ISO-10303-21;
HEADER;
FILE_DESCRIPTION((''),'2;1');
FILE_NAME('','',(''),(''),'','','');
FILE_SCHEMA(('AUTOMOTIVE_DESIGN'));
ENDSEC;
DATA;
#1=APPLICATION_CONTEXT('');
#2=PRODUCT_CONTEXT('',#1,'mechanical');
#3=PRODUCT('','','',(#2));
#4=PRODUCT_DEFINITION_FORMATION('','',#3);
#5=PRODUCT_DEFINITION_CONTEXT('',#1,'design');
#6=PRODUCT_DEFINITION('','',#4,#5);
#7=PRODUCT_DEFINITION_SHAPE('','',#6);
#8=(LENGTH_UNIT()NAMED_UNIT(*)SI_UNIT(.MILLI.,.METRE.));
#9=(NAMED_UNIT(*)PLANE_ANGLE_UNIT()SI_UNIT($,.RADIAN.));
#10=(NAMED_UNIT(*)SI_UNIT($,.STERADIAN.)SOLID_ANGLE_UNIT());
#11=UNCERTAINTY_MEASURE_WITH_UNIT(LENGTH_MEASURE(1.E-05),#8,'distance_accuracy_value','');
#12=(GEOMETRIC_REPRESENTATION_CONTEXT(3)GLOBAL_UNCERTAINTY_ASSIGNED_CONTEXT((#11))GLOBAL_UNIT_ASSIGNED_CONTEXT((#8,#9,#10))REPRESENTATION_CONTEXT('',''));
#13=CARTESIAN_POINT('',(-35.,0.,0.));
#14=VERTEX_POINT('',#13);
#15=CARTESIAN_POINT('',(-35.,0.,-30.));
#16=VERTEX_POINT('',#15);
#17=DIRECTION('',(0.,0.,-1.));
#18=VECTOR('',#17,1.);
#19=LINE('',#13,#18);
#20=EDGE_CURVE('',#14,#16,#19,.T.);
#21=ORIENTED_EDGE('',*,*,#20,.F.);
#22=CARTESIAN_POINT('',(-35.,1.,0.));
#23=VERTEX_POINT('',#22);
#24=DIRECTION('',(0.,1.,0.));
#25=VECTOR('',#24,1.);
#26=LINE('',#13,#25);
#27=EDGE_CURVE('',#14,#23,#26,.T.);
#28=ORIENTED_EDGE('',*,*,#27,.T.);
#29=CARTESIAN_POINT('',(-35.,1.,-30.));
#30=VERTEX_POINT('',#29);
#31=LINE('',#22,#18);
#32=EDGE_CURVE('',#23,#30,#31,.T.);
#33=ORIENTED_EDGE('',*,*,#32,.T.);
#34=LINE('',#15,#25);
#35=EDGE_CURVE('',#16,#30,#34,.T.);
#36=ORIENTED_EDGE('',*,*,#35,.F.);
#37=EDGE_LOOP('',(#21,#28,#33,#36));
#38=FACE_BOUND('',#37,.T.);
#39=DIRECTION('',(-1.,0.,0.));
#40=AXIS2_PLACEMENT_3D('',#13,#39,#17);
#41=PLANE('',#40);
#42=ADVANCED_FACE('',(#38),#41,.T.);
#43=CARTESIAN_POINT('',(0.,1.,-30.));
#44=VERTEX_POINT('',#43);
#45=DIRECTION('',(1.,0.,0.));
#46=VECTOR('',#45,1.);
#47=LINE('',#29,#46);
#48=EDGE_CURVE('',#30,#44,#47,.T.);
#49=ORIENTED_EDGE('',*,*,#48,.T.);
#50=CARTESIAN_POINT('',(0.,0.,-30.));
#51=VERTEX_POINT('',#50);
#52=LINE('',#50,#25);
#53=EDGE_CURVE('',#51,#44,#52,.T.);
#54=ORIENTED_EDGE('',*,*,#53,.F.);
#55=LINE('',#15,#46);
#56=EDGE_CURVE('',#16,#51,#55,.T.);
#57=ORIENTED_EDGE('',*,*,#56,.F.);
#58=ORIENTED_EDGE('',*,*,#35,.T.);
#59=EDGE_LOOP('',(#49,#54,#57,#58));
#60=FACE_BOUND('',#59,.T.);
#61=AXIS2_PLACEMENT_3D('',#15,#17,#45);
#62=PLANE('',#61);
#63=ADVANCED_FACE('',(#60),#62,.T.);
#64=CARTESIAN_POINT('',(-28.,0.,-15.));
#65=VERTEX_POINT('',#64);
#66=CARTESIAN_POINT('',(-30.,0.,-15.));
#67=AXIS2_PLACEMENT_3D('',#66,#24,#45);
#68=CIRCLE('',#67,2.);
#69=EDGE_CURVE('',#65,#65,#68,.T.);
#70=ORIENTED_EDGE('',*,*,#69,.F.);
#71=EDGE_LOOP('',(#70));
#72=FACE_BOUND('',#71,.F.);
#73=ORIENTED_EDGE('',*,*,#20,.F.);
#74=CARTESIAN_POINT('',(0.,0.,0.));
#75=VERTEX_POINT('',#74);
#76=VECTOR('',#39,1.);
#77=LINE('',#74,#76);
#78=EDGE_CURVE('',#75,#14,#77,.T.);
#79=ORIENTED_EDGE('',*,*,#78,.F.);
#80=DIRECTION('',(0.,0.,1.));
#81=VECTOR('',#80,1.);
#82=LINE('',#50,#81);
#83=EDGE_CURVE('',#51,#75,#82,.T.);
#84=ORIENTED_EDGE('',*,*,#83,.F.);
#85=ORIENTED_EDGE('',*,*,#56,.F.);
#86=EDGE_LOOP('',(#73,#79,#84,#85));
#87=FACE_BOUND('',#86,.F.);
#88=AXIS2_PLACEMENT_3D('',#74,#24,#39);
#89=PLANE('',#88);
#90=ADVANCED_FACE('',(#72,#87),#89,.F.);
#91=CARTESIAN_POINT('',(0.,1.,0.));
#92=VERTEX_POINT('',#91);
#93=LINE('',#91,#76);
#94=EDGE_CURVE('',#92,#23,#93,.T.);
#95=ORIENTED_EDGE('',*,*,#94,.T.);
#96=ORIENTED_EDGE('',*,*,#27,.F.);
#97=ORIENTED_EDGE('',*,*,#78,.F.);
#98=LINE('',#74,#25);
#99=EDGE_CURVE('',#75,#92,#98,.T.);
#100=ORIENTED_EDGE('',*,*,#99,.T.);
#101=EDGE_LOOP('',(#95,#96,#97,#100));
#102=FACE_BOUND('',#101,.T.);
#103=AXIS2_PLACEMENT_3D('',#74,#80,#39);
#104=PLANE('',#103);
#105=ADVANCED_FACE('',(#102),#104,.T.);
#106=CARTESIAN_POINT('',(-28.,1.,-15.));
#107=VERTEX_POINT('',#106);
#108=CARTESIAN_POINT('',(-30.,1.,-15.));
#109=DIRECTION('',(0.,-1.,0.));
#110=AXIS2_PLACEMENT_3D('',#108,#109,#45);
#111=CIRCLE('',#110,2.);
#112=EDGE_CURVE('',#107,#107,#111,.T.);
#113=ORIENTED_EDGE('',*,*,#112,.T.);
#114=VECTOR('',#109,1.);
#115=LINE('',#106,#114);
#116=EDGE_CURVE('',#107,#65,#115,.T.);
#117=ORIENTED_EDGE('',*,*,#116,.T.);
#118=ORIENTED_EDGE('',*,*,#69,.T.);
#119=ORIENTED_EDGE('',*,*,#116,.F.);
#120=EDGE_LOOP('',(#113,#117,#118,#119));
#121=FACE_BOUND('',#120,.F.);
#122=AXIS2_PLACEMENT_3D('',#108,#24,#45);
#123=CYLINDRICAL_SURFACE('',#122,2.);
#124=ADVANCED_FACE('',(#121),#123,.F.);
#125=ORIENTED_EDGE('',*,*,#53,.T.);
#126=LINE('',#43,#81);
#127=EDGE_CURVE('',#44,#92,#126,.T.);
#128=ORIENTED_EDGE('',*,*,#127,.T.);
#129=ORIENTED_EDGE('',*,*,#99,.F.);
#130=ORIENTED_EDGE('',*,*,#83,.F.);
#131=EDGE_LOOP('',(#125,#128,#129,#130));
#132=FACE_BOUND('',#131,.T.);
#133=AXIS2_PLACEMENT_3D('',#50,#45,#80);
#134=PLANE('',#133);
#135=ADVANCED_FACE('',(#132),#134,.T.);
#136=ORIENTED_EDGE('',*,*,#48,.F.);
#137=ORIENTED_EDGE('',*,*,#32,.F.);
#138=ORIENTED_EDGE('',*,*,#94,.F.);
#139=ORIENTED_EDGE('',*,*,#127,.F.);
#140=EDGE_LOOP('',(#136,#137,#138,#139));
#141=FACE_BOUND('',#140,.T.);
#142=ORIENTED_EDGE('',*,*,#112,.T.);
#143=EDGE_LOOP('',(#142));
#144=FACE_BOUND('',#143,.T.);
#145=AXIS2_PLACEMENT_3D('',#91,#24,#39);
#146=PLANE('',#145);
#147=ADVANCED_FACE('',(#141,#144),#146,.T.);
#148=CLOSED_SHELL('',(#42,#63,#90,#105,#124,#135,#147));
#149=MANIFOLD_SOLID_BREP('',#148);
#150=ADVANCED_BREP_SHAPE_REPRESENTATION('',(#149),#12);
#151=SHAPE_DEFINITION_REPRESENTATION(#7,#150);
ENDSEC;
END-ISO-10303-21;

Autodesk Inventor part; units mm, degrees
ref_plane "YZ Plane" through (0, 0, 0) normal (1, 0, 0) x (0, 1, 0)
ref_plane "XZ Plane" through (0, 0, 0) normal (0, 1, 0) x (-1, 0, 0)
ref_plane "XY Plane" through (0, 0, 0) normal (0, 0, 1) x (1, 0, 0)
sketch "Szkic1" plane through (0, 0, 0) normal (0, 1, 0) x (-1, 0, 0)
  line L0 (0, 0) -> (35, 0)
  line L1 (35, 0) -> (35, -30)
  line L2 (35, -30) -> (0, -30)
  line L3 (0, -30) -> (0, 0)
  dimension "d0" = 35
  dimension "d1" = 30
extrude "Wyciągnięcie proste1" add sketch "Szkic1" along normal blind 1
sketch "Szkic2" plane through (0, 1, 0) normal (0, 1, 0) x (1, 0, 0)
  line L0 (-35, 30) -> (-35, 0) projected
  line L1 (-35, 15) -> (-30, 15)
  circle A0 centre (-30, 15) radius 2
  point P0 (0, 0)
  dimension "d4" = 5
  dimension "d5" = 4
extrude "Wyciągnięcie proste2" cut sketch "Szkic2" against normal blind 1
properties part number "Tank resistive sensor"
